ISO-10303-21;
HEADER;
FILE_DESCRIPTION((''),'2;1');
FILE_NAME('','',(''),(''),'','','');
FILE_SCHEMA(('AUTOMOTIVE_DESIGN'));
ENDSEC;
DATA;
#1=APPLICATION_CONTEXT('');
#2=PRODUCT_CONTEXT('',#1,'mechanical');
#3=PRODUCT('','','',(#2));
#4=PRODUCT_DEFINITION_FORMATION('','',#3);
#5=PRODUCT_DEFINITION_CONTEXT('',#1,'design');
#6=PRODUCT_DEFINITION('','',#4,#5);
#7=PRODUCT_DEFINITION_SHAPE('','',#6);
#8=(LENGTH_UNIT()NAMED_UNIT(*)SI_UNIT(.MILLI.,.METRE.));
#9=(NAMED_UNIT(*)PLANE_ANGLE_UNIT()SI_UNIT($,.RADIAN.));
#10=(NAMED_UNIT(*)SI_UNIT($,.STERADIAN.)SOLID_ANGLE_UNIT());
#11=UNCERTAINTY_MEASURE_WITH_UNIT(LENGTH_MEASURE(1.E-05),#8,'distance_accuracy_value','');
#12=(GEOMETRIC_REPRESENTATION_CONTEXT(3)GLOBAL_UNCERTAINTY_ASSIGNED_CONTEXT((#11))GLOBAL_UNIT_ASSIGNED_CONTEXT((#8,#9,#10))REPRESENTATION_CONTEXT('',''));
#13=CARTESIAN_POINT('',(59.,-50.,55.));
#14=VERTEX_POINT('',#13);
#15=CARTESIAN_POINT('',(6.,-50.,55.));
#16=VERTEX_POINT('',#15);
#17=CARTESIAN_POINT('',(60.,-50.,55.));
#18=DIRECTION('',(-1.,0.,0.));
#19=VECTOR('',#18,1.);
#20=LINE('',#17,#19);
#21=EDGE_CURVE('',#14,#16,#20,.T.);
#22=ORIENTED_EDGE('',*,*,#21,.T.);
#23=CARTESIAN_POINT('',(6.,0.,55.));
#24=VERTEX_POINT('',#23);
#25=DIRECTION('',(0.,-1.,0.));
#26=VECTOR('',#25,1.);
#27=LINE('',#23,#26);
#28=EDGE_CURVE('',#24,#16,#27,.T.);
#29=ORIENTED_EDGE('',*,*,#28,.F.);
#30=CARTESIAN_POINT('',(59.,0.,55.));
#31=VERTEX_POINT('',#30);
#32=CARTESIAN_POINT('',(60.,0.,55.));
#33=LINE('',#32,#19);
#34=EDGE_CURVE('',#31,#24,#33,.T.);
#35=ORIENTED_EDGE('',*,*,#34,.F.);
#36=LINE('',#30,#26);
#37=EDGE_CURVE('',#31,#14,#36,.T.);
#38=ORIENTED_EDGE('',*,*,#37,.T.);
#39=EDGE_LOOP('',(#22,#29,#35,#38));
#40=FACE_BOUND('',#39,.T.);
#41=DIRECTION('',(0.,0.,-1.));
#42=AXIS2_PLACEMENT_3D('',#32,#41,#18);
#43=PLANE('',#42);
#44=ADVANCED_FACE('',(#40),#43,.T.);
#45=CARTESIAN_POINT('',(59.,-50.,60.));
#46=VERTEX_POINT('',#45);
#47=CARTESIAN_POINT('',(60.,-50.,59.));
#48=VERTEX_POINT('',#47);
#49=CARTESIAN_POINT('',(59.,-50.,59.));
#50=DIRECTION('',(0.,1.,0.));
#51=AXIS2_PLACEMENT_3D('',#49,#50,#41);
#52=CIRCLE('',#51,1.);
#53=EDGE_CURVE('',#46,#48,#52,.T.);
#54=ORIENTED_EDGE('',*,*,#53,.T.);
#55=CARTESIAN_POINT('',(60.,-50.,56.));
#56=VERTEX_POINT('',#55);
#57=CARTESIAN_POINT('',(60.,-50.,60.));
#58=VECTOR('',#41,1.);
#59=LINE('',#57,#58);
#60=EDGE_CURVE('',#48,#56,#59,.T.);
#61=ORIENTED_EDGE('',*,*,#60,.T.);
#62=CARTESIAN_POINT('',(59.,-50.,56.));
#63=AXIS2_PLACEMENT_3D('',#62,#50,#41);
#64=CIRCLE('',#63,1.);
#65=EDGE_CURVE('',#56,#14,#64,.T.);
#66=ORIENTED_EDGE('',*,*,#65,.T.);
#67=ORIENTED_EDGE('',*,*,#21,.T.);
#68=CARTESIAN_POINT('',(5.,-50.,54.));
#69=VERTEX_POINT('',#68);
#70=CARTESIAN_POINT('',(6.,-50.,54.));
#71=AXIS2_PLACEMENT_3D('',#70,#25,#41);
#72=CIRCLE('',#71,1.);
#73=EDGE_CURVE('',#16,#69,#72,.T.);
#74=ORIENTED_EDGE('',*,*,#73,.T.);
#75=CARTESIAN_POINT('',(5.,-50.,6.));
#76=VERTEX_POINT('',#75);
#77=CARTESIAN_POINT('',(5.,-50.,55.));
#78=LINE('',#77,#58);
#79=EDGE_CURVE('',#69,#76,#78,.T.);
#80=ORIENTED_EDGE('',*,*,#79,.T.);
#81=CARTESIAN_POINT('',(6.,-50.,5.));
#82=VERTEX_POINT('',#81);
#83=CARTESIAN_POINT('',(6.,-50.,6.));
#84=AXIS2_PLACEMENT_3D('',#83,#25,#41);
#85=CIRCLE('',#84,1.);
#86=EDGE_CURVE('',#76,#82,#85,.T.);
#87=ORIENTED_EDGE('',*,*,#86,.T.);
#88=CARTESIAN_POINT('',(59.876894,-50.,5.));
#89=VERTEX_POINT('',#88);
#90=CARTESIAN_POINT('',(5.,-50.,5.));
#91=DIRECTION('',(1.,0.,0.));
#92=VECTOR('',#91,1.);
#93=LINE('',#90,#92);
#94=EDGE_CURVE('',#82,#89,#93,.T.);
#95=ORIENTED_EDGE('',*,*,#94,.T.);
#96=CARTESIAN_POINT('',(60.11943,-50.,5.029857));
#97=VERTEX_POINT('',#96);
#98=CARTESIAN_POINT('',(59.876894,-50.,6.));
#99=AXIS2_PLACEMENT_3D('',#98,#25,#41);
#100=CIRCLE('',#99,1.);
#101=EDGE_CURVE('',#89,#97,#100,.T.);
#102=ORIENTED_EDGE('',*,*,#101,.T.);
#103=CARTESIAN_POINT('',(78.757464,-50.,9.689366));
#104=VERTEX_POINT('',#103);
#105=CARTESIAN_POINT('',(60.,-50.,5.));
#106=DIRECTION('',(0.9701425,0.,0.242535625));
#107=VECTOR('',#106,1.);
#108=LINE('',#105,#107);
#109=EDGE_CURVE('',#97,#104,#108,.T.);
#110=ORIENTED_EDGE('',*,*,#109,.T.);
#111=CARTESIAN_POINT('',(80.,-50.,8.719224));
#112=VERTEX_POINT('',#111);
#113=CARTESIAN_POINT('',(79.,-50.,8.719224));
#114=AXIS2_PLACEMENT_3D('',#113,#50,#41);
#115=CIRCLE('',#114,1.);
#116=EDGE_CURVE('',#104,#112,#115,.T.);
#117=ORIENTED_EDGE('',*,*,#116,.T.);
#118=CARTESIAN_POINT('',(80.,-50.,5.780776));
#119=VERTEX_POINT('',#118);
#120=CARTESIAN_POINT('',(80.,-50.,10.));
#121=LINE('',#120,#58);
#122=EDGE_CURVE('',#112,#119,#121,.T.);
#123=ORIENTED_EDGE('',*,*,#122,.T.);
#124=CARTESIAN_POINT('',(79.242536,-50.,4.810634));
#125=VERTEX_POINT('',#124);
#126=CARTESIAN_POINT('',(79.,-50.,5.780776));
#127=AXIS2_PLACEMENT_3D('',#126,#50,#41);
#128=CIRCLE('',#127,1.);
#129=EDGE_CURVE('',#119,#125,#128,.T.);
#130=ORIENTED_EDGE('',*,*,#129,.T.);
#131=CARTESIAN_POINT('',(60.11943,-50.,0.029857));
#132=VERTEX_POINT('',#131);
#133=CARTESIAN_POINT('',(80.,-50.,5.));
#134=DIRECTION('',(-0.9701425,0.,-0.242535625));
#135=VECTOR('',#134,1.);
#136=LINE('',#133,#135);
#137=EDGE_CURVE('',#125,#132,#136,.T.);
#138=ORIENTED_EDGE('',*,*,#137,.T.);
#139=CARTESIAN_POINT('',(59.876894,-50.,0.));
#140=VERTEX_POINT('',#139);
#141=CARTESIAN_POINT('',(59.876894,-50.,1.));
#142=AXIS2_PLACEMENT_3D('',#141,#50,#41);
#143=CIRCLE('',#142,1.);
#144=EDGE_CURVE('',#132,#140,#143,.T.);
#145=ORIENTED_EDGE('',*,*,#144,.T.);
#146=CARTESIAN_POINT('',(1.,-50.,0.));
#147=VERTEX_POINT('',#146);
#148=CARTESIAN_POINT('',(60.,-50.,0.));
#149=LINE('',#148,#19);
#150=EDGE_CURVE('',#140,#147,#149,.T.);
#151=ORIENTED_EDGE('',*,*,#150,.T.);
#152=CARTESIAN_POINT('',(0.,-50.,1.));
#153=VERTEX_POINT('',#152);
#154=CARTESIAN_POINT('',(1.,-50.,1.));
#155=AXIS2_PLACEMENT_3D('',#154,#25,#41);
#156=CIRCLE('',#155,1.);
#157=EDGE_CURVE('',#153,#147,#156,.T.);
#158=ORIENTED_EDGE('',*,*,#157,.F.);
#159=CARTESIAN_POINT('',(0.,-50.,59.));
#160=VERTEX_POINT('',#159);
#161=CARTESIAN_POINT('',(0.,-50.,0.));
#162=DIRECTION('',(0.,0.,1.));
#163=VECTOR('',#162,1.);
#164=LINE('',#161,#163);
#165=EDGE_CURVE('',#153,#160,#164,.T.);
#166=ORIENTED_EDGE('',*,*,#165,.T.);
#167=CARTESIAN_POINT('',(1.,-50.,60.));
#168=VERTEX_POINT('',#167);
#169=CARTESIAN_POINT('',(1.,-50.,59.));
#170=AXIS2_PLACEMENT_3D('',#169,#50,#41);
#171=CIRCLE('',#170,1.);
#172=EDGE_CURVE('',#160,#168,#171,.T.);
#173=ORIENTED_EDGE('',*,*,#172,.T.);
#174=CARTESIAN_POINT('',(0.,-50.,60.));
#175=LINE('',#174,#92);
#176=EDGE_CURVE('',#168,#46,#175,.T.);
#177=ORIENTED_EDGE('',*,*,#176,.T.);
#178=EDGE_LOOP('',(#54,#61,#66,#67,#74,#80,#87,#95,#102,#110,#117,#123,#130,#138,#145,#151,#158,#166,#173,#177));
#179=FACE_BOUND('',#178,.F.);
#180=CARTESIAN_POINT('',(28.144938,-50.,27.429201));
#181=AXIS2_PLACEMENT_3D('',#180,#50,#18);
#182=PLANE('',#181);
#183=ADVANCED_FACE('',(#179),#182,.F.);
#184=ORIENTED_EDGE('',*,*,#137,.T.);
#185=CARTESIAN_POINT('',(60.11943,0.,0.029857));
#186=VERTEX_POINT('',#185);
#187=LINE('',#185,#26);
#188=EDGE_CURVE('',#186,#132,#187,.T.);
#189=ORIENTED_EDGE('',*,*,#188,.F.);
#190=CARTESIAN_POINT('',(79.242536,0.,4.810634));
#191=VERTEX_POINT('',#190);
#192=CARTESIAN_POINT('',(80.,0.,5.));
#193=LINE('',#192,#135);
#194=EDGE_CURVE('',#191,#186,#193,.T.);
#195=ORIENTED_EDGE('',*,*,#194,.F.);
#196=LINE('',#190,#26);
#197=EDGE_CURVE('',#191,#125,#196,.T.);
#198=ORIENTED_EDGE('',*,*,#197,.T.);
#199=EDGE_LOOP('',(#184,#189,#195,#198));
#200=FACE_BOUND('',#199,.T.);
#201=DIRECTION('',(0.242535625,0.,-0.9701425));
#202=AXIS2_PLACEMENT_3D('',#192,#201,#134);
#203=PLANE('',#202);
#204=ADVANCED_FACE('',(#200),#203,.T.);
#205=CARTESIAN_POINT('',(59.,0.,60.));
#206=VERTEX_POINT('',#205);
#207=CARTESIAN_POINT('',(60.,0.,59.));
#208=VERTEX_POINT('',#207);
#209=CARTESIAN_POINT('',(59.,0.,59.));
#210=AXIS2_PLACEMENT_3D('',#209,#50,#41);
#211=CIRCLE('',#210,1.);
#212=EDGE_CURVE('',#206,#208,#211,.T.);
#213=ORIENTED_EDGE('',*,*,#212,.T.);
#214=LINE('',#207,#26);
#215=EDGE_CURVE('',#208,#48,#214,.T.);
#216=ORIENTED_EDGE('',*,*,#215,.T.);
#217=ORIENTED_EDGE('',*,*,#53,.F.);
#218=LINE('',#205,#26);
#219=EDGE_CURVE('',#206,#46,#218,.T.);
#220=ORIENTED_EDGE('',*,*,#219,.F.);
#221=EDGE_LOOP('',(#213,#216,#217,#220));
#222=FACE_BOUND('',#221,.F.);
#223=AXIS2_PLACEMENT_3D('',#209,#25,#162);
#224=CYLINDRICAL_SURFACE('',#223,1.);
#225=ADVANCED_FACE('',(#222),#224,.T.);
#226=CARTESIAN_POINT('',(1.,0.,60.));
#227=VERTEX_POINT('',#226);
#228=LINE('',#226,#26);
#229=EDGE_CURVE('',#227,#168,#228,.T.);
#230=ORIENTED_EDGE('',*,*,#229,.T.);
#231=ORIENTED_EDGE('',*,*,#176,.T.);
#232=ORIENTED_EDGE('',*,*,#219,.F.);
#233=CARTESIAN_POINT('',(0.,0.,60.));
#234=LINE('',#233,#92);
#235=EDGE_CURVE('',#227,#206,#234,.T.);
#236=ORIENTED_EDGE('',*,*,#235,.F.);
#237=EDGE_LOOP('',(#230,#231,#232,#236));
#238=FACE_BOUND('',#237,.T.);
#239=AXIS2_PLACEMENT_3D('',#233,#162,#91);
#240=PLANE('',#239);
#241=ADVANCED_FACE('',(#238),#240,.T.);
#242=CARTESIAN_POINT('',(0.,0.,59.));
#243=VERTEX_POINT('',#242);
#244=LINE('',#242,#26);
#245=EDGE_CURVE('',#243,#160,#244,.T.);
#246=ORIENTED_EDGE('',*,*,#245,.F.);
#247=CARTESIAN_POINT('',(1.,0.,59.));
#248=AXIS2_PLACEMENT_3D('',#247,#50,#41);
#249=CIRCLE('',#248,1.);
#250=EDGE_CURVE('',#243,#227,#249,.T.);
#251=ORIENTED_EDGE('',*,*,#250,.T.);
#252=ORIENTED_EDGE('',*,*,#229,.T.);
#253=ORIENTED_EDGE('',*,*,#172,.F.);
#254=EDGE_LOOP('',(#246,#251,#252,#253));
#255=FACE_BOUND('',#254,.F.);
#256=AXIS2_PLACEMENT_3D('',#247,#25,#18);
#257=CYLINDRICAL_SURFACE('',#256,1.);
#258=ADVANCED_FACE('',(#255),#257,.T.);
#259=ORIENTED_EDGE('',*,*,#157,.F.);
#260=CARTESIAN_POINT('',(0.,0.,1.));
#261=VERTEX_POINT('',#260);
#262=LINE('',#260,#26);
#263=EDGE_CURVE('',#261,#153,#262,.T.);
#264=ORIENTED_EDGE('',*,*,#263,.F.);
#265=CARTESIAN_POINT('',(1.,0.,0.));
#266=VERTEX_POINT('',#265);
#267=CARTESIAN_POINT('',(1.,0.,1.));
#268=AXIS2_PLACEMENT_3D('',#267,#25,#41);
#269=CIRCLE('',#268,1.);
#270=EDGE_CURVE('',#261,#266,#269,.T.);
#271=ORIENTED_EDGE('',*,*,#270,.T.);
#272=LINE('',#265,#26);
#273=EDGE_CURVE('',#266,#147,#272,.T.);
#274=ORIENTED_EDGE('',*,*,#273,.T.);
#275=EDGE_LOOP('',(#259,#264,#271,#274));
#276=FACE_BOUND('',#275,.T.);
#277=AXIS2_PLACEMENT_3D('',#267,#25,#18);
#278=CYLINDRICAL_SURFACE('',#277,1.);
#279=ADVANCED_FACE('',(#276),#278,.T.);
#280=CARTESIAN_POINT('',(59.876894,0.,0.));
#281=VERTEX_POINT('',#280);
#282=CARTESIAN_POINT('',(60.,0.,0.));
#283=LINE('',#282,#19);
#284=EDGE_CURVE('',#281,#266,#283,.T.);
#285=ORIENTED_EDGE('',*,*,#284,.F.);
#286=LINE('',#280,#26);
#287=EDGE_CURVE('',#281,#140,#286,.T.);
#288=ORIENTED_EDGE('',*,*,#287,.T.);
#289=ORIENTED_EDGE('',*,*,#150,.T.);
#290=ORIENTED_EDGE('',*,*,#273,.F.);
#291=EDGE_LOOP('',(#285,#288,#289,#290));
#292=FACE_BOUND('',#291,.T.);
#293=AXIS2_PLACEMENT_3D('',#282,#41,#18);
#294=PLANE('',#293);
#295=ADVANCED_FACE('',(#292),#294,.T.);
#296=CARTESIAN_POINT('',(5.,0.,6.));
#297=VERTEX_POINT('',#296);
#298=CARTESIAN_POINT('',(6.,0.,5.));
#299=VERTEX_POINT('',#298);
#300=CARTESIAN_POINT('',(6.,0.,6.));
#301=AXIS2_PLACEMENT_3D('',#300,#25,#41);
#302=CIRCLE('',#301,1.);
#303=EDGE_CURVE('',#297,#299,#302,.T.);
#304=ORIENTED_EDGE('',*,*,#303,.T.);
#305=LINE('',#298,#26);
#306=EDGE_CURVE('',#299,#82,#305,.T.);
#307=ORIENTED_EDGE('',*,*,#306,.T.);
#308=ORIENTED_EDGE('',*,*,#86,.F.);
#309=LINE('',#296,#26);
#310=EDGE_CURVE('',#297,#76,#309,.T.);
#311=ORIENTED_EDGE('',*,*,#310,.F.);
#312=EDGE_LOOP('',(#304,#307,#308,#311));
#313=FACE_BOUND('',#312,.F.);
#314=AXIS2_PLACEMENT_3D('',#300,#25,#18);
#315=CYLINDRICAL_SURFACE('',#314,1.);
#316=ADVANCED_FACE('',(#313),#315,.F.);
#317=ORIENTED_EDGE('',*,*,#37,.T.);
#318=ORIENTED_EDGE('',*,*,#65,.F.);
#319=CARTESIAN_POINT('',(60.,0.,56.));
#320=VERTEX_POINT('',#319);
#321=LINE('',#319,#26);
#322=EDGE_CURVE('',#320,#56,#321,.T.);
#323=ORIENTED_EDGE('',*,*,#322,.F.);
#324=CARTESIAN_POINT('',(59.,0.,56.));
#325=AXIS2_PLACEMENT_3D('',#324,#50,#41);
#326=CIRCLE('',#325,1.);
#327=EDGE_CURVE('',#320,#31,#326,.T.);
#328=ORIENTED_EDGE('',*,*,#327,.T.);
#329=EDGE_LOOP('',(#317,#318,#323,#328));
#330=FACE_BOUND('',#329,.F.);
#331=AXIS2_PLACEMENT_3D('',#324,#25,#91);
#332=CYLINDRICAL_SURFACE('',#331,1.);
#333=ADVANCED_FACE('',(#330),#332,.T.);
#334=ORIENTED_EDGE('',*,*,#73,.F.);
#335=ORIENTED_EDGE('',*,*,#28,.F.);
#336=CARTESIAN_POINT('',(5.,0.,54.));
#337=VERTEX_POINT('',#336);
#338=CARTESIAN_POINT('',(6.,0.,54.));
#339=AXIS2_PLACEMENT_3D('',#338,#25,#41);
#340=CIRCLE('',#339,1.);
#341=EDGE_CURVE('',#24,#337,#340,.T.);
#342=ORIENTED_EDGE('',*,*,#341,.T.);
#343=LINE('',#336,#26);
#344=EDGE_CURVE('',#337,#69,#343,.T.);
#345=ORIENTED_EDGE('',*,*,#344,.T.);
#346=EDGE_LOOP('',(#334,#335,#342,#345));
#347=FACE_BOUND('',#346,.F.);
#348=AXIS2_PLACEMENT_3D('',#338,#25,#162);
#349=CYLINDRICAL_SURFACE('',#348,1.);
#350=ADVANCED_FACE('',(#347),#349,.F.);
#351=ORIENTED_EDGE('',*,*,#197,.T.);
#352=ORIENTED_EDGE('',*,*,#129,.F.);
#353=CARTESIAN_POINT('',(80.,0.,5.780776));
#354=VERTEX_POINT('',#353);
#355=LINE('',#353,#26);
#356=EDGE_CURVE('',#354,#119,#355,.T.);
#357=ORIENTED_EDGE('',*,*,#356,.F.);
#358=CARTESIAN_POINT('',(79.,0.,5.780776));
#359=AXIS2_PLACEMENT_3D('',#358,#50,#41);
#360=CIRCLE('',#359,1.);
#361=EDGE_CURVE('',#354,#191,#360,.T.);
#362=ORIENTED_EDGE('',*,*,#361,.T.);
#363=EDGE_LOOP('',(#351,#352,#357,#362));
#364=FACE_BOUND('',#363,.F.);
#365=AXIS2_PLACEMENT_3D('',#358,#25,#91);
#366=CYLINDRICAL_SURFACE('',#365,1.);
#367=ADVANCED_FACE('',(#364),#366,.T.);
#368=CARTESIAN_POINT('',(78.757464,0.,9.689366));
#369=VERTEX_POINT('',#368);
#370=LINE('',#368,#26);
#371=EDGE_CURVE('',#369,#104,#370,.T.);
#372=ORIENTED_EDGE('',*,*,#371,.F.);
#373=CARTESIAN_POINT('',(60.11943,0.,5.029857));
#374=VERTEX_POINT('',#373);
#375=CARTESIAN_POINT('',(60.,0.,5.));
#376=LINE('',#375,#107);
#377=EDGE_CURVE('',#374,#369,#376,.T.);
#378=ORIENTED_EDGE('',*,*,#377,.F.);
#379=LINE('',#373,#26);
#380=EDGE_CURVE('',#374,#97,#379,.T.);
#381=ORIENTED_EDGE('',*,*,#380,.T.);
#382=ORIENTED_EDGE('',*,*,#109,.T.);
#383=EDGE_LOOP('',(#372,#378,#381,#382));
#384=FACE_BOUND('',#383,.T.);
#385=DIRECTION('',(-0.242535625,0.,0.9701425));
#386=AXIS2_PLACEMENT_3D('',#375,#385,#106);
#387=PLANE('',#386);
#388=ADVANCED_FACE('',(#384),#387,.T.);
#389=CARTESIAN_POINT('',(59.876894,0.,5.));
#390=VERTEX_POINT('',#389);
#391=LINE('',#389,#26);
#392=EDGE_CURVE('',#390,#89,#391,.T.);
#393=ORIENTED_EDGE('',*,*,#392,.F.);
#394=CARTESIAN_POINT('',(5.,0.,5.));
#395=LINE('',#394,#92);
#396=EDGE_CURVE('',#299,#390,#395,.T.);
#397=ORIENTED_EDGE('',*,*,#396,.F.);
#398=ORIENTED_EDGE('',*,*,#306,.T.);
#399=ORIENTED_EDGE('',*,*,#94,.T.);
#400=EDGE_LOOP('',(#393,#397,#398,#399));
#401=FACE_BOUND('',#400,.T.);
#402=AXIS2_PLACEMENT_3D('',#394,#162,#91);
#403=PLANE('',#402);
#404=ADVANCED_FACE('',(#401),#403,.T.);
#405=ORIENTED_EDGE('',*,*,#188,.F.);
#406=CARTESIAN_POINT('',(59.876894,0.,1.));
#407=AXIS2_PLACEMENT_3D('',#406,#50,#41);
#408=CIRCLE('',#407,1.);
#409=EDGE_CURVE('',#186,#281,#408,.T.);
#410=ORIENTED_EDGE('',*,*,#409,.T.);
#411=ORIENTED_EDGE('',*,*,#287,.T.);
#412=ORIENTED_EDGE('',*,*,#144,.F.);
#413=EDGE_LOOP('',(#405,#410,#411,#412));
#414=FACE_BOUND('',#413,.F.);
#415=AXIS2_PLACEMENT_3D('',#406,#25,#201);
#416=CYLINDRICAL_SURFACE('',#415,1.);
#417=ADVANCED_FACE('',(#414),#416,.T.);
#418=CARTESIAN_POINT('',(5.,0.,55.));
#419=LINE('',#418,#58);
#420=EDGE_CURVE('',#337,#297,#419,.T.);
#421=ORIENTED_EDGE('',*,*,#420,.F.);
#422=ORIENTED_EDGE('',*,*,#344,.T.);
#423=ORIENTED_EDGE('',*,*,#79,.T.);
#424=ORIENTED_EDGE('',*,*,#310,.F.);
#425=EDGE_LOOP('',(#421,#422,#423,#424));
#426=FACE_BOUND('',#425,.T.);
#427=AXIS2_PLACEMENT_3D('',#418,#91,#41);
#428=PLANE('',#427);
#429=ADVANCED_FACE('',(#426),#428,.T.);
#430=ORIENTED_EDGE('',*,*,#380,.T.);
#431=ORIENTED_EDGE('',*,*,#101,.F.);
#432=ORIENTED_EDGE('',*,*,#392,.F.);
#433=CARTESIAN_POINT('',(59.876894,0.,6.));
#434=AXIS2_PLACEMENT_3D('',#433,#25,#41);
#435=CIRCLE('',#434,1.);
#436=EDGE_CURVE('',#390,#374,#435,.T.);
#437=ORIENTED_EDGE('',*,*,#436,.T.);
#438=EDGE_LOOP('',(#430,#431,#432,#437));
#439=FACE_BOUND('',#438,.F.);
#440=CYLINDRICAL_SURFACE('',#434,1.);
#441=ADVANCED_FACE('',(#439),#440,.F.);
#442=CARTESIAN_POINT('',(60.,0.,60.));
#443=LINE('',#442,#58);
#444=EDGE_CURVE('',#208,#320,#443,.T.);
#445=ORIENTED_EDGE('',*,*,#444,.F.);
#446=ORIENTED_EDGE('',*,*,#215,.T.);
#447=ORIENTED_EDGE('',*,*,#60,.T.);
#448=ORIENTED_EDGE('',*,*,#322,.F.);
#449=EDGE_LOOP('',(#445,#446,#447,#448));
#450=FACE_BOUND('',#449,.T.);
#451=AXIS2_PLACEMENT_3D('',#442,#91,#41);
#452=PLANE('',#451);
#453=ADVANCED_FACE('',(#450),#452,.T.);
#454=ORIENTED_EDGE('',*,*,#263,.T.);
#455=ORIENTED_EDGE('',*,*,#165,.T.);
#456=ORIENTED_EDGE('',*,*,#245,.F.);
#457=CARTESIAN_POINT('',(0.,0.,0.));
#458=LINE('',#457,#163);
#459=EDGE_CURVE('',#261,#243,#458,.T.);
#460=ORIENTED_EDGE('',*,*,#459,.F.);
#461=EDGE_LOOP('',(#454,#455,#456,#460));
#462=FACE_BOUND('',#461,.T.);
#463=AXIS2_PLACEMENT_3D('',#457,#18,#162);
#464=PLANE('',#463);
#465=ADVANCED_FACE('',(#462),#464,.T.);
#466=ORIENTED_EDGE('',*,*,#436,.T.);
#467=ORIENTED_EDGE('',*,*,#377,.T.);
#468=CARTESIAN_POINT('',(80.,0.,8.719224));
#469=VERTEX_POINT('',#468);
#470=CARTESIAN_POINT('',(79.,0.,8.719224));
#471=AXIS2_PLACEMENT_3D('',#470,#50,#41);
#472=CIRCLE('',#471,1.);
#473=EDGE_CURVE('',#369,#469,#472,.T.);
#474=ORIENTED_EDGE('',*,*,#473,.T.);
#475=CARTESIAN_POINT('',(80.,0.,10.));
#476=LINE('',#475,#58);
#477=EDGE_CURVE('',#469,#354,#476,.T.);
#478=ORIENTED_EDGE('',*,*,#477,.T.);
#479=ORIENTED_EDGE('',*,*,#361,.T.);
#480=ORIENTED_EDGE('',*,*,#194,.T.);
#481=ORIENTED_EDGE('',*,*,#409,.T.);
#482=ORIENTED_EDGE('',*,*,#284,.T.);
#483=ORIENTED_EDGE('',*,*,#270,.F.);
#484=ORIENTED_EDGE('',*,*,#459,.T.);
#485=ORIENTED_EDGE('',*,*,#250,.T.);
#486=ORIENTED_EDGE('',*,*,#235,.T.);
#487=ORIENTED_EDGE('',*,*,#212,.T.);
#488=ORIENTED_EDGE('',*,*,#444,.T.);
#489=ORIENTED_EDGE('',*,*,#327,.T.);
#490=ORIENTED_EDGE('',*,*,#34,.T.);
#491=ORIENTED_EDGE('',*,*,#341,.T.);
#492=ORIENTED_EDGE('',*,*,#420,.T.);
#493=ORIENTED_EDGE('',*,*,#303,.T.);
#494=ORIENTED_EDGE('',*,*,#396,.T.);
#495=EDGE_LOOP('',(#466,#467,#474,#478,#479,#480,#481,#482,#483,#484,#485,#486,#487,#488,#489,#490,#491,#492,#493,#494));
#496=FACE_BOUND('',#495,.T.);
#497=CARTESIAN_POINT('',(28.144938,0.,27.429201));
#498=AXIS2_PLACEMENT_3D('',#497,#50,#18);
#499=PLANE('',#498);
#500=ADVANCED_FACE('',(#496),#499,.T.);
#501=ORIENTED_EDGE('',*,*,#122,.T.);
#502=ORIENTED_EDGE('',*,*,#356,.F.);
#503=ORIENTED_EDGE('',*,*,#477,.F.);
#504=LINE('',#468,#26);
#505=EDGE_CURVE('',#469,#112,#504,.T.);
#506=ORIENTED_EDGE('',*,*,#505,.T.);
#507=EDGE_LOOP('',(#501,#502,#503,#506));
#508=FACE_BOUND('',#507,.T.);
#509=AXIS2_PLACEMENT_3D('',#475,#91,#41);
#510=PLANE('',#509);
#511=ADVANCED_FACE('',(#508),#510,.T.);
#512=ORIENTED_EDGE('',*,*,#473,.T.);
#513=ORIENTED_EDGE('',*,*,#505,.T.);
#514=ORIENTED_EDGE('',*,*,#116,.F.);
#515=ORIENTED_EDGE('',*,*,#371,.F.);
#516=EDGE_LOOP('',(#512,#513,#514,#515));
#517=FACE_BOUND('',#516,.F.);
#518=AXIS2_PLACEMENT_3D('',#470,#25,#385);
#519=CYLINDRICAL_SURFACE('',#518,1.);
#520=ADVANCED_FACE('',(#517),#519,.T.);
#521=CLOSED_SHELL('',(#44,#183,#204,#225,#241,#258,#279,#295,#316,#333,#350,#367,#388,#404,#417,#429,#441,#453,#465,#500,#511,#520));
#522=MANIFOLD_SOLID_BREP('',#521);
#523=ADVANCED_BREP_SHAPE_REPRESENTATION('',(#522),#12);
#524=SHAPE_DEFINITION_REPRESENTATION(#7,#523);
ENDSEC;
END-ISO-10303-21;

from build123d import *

# Parameters (mm, degrees)
PAD_DEPTH = 50
FILLET_R  = 1


with BuildPart() as part:
    # Sketch → Pad (new body)
    with BuildSketch(Plane.XZ):
        Polygon((0, 0), (0, 60), (60, 60), (60, 55), (5, 55), (5, 5), (60, 5), (80, 10), (80, 5), (60, 0), align=None)
    extrude(amount=PAD_DEPTH)

    # Fillet
    fillet_edges = [part.edges().sort_by_distance(p)[0] for p in [
        (0, -25, 0),
        (60, -25, 0),
        (80, -25, 5),
        (80, -25, 10),
        (60, -25, 55),
        (60, -25, 60),
        (0, -25, 60),
        (60, -25, 5),
        (5, -25, 5),
        (5, -25, 55),
    ]]
    fillet(fillet_edges, radius=FILLET_R)


solid = part.part
